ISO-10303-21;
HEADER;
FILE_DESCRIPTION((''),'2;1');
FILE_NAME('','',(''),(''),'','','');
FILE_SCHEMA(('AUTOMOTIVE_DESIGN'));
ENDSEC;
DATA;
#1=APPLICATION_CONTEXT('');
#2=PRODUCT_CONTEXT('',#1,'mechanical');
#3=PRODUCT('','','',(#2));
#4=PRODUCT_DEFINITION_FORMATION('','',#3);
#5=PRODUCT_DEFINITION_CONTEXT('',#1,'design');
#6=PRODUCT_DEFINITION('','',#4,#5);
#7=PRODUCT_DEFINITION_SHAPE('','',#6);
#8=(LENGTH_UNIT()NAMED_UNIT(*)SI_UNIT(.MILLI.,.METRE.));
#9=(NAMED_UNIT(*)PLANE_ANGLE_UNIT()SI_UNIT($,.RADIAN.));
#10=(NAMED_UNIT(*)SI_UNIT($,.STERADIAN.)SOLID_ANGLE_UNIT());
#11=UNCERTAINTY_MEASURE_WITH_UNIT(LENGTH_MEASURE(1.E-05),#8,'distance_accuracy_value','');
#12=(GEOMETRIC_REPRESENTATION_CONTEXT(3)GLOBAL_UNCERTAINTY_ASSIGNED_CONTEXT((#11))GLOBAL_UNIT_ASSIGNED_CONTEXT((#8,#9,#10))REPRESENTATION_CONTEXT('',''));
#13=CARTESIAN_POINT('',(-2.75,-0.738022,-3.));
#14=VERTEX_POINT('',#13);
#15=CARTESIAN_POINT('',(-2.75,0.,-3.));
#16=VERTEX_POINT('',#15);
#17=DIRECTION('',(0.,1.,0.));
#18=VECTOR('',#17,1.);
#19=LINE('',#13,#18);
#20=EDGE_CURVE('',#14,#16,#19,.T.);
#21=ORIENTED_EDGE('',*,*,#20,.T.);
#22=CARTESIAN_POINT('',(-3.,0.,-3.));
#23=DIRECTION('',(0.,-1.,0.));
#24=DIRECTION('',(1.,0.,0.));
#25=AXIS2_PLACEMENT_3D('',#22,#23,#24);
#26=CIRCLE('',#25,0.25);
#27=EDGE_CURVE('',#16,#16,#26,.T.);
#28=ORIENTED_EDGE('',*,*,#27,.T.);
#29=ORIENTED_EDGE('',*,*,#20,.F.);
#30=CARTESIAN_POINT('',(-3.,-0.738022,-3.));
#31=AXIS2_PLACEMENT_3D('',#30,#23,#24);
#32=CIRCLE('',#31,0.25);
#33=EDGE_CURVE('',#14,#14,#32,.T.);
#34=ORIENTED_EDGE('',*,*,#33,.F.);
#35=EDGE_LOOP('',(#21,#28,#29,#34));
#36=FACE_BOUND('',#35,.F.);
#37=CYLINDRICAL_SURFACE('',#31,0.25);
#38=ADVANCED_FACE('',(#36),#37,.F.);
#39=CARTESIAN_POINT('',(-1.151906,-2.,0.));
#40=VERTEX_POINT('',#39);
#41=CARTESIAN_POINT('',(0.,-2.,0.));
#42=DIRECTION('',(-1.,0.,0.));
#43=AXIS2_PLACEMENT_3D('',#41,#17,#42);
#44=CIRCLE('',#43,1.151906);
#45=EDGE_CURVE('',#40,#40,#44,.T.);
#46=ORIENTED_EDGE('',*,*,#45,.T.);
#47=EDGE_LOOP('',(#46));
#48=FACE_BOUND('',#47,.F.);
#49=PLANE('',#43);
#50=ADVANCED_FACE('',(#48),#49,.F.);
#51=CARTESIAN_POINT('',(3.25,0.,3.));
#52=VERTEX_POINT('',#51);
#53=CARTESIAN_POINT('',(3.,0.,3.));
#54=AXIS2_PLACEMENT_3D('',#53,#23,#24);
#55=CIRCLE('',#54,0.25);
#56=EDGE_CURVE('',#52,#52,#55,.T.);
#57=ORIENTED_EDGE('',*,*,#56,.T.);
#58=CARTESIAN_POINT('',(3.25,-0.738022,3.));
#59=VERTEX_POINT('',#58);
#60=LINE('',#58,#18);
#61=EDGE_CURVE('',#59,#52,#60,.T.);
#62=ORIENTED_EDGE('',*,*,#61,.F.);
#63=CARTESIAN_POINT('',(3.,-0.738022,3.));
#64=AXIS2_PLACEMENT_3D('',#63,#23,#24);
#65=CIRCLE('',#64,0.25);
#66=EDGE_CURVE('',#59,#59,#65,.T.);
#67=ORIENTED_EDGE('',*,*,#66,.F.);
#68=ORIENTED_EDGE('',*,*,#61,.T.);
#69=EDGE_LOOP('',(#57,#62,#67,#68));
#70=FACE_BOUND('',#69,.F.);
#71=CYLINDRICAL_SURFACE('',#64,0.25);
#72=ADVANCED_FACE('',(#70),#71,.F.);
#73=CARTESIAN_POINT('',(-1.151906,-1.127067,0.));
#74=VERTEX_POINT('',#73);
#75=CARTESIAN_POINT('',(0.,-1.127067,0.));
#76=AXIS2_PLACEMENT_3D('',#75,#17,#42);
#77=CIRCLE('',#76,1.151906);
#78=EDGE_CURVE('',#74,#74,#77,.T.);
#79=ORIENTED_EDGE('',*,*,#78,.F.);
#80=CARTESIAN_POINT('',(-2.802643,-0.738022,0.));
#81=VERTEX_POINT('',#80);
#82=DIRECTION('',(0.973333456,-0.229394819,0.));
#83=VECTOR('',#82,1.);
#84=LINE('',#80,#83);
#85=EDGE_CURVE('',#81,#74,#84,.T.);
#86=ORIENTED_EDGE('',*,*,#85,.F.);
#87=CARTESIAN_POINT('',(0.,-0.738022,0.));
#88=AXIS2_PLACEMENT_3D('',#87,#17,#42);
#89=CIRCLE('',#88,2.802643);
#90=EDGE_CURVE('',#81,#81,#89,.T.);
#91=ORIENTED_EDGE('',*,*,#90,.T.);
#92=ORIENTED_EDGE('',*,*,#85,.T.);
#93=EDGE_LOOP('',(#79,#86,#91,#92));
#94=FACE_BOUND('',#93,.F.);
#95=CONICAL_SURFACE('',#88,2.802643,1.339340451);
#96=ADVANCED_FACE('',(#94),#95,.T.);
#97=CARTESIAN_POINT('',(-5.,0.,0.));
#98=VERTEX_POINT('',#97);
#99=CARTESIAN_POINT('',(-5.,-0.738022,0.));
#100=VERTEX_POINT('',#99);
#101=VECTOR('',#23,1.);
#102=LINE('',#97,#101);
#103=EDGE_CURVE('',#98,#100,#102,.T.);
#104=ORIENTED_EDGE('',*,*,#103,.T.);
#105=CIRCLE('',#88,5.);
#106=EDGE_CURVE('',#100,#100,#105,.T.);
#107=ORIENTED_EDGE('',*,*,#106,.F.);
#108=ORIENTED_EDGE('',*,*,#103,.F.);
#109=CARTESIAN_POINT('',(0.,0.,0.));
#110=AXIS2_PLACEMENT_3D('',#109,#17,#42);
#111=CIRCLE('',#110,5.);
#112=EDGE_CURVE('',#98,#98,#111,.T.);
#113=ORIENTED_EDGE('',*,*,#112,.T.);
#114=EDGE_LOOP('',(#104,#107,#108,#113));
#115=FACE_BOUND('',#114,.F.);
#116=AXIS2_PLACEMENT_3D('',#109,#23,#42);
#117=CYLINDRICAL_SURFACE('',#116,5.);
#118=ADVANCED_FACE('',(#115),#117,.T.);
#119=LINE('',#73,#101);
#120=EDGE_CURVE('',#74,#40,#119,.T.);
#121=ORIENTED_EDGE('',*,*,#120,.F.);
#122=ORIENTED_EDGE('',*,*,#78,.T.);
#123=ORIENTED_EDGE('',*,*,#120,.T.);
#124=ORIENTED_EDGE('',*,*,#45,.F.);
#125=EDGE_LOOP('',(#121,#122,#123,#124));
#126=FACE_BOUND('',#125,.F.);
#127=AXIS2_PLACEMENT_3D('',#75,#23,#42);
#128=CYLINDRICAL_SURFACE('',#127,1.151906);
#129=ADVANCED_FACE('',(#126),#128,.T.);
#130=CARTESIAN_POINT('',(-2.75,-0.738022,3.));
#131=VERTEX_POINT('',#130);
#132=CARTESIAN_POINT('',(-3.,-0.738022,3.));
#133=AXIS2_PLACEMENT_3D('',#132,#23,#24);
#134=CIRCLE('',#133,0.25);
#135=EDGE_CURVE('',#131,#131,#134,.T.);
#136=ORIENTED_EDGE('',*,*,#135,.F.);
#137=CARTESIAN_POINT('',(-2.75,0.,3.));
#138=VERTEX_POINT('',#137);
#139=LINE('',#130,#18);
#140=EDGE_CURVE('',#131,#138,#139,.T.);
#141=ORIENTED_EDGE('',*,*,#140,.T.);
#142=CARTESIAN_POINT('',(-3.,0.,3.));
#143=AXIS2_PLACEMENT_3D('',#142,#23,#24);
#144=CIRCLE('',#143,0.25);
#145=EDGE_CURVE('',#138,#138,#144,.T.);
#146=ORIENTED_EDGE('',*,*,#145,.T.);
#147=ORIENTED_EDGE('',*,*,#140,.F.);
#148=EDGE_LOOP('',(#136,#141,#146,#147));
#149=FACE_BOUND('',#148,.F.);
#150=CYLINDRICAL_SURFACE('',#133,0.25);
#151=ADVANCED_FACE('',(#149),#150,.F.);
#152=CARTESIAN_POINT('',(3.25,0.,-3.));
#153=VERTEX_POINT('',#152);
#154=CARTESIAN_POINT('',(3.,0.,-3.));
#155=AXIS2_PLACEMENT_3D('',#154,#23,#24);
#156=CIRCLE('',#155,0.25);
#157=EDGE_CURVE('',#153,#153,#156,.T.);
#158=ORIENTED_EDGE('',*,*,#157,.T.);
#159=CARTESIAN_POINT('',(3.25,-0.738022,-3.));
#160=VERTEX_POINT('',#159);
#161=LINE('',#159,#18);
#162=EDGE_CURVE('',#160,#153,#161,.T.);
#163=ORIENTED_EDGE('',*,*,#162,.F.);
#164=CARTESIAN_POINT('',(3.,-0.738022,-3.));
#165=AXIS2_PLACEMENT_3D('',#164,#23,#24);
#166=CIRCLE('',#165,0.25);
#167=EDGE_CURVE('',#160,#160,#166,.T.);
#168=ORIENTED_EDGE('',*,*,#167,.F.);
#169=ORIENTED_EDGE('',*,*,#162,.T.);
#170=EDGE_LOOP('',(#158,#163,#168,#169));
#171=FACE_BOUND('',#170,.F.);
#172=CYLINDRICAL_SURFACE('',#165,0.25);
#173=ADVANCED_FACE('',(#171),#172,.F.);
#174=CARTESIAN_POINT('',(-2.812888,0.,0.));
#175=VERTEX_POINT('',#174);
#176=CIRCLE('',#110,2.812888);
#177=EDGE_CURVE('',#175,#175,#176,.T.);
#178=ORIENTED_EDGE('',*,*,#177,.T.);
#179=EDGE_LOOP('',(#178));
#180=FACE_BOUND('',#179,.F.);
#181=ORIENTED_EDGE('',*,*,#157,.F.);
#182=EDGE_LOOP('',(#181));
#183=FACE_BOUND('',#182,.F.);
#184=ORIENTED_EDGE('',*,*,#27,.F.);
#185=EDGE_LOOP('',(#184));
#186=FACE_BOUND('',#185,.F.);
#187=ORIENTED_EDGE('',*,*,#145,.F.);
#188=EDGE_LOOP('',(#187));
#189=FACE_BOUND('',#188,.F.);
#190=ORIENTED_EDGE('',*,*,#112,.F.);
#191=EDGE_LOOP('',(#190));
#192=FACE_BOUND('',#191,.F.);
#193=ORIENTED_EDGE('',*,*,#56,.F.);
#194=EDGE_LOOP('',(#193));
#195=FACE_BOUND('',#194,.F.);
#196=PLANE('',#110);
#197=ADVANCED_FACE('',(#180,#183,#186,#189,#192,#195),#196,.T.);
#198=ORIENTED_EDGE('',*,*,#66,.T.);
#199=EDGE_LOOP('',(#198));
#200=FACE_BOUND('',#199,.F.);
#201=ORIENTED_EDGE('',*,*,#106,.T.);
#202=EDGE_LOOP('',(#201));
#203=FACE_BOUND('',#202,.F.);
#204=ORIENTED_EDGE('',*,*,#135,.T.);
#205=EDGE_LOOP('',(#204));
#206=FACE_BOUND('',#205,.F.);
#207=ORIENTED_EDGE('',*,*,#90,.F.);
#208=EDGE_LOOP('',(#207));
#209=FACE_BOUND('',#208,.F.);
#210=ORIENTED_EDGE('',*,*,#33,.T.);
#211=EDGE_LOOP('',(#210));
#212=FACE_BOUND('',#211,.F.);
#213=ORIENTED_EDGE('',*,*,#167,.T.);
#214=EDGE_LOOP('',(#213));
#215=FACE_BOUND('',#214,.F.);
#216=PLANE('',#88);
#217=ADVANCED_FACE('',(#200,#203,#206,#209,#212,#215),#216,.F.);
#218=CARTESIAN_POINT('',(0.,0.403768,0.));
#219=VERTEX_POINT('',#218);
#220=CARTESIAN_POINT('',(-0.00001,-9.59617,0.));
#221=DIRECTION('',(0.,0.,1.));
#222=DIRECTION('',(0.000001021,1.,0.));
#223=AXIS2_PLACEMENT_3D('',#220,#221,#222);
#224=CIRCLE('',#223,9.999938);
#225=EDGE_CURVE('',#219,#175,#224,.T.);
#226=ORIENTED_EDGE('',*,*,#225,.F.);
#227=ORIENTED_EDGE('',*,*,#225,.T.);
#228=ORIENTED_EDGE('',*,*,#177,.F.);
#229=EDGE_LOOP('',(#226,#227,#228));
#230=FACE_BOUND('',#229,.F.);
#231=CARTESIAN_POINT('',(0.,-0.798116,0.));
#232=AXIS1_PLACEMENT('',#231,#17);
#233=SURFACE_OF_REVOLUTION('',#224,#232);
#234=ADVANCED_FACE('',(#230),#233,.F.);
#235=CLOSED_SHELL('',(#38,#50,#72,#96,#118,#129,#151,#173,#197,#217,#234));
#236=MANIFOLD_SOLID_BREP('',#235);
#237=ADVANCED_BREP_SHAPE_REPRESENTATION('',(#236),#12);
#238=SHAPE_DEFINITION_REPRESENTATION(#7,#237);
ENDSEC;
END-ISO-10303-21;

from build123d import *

# Parameters (mm, degrees)
F2_R     = 0.25
F3_DEPTH = 25


with BuildPart() as f1:
    # F0 (on Top) → F1 (revolve)
    with BuildSketch(Plane.XY):
        with BuildLine():
            Line((0, -2), (0, 0.403768))
            ThreePointArc((0, 0.403768), (-1.42086, 0.302312), (-2.812888, 0))
            Line((-2.812888, 0), (-5, 0))
            Line((-5, 0), (-5, -0.738022))
            Line((-5, -0.738022), (-2.802643, -0.738022))
            Line((-2.802643, -0.738022), (-1.151906, -1.127067))
            Line((-1.151906, -1.127067), (-1.151906, -2))
            Line((-1.151906, -2), (0, -2))
        make_face()
    revolve(axis=Axis((0, -0.798116, 0), (0, 1, 0)))

    # F2 (on face) → F3 (cut)
    with BuildSketch(Plane.XZ.offset(0.738022)):
        with Locations((3, 3)):
            Circle(F2_R)
        with Locations((-3, 3)):
            Circle(F2_R)
        with Locations((-3, -3)):
            Circle(F2_R)
        with Locations((3, -3)):
            Circle(F2_R)
    extrude(amount=-F3_DEPTH, mode=Mode.SUBTRACT)


solid = f1.part
